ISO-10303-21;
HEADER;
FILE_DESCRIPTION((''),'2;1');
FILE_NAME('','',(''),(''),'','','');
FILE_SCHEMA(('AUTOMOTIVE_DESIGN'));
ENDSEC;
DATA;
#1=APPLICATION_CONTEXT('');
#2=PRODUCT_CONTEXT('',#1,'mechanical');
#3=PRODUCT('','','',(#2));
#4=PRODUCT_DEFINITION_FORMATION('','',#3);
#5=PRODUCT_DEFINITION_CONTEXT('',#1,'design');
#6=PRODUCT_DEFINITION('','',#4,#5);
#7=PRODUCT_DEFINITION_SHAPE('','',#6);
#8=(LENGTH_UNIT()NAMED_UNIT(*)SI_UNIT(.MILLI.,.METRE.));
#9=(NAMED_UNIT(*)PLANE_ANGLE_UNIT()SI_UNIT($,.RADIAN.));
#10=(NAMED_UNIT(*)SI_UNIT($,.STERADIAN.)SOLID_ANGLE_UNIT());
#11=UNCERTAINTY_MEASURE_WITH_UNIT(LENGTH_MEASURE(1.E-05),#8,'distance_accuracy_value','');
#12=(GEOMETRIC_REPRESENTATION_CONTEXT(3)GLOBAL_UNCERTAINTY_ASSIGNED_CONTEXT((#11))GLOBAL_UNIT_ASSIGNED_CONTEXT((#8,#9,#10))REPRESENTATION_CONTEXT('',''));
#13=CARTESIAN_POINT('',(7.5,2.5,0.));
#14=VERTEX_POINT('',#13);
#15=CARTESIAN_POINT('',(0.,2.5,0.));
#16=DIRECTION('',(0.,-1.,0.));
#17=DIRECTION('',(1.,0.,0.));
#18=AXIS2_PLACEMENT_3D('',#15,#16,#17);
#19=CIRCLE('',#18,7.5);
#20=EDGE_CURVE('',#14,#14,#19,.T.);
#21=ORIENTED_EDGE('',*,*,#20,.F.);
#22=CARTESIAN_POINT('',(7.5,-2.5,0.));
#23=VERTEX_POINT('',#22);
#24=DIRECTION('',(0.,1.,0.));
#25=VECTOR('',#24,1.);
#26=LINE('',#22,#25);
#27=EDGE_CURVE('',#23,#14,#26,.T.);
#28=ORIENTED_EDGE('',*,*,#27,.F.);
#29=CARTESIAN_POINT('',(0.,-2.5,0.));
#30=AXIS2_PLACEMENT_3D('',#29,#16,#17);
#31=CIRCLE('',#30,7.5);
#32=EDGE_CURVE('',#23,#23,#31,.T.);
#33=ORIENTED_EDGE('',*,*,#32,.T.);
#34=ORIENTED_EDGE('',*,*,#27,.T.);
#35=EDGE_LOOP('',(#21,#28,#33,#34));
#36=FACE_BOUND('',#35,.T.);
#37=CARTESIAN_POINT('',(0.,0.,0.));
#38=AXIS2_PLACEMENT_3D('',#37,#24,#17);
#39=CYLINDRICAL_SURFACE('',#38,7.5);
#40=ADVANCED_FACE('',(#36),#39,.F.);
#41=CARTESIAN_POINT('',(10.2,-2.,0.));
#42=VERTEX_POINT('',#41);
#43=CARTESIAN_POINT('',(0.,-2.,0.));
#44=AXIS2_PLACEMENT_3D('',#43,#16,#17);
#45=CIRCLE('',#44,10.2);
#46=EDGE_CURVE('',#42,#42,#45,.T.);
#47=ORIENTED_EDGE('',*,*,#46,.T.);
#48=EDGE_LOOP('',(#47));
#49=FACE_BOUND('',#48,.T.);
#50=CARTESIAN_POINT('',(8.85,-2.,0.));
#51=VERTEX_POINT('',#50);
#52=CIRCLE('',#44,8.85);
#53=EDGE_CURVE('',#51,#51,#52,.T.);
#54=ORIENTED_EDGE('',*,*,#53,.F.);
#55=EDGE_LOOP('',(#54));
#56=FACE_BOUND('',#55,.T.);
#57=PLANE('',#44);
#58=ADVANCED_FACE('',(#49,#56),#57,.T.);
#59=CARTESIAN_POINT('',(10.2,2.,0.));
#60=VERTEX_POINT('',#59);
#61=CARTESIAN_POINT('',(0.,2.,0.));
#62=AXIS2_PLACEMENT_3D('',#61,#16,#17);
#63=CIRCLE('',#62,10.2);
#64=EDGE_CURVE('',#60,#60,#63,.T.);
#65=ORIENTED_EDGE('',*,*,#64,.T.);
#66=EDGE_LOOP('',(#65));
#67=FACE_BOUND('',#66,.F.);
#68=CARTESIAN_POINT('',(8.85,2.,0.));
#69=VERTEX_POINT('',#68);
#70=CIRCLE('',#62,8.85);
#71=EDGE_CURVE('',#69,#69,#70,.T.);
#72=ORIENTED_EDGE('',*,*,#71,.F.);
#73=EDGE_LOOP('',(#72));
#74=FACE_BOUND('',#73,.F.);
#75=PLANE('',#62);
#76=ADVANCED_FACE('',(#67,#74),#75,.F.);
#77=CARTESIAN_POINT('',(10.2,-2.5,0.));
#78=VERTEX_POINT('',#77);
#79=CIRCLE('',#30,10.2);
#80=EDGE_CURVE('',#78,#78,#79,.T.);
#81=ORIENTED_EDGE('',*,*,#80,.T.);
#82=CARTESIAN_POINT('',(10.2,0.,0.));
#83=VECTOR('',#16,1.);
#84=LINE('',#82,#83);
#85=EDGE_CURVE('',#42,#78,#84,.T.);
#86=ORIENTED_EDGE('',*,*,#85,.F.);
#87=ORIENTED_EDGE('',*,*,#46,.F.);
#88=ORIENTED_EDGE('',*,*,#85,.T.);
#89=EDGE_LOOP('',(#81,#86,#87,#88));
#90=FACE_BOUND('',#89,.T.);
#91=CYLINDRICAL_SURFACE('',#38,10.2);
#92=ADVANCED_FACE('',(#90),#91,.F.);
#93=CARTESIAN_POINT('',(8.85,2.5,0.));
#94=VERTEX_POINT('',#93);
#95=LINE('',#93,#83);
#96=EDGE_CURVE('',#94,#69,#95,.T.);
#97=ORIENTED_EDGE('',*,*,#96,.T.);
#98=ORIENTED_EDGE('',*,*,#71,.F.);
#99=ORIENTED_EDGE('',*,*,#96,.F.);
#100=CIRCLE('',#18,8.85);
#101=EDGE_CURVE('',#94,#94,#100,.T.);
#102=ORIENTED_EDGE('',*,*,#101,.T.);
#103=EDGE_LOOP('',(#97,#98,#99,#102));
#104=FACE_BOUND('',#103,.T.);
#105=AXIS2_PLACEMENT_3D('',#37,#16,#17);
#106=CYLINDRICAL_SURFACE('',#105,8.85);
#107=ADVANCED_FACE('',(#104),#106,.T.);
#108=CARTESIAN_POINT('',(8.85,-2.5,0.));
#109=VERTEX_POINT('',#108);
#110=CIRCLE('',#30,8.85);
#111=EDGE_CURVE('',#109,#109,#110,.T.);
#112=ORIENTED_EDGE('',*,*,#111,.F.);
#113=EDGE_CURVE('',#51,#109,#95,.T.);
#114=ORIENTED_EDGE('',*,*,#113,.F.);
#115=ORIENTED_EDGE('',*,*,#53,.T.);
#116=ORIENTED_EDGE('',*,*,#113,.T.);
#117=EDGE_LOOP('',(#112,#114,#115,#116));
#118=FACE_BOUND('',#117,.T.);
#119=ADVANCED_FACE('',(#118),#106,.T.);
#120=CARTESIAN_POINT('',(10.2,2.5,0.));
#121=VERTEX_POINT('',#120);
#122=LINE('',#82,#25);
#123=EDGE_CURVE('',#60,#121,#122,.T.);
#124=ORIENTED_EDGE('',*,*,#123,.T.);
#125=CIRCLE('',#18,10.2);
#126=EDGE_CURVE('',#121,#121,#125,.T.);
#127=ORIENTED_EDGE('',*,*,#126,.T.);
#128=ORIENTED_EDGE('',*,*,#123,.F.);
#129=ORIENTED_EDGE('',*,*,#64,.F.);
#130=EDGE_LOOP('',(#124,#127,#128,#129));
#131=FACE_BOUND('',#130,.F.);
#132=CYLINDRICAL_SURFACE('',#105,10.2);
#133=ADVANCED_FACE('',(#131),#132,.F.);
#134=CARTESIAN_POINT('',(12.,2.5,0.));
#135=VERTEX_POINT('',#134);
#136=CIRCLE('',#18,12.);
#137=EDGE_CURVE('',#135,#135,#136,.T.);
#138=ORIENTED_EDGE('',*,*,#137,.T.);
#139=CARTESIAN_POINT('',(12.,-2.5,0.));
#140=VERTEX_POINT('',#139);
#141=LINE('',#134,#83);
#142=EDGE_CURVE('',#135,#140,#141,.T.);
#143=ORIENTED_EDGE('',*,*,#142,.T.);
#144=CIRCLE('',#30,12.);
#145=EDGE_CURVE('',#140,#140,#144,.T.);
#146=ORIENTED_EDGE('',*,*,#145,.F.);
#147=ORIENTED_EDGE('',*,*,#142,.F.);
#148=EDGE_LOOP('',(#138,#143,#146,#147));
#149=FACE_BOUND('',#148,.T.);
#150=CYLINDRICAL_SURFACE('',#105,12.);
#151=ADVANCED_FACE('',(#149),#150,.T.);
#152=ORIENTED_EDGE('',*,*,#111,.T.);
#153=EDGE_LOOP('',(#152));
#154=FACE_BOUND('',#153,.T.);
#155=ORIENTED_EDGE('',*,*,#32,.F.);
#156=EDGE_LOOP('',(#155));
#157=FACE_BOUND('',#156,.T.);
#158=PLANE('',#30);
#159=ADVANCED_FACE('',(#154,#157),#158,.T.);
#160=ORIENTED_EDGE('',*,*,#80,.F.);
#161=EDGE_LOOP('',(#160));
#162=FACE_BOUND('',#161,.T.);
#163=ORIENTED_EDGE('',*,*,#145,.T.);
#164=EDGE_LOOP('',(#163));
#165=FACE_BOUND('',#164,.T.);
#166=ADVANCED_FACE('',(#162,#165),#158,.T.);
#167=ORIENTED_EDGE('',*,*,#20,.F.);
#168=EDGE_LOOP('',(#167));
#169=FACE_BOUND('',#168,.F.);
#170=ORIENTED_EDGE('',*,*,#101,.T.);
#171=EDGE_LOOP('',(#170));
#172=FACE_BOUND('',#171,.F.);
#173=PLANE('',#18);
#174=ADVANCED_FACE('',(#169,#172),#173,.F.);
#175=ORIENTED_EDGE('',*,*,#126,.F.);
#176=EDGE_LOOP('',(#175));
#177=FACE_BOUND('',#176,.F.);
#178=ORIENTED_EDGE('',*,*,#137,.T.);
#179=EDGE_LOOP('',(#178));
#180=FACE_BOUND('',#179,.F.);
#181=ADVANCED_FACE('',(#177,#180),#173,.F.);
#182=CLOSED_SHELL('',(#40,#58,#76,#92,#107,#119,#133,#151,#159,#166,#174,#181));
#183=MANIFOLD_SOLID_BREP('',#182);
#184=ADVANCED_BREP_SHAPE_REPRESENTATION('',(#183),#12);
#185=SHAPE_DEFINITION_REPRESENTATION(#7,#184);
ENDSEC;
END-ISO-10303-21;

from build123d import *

# Parameters (mm, degrees)
F1_R     = 10.2
F1_R_2   = 8.85
F2_DEPTH = 2
F1_R_3   = 12
F1_R_4   = 7.5
F3_DEPTH = 2.5


with BuildPart() as f2:
    # F1 (on Front) → F2 (new body, symmetric)
    with BuildSketch(Plane.XZ):
        Circle(F1_R)
        Circle(F1_R_2, mode=Mode.SUBTRACT)
    extrude(amount=F2_DEPTH, both=True)

    # F1 (on Front) → F3 (join, symmetric)
    with BuildSketch(Plane.XZ):
        Circle(F1_R_3)
        Circle(F1_R, mode=Mode.SUBTRACT)
        Circle(F1_R_2)
        Circle(F1_R_4, mode=Mode.SUBTRACT)
    extrude(amount=F3_DEPTH, both=True)


solid = f2.part
